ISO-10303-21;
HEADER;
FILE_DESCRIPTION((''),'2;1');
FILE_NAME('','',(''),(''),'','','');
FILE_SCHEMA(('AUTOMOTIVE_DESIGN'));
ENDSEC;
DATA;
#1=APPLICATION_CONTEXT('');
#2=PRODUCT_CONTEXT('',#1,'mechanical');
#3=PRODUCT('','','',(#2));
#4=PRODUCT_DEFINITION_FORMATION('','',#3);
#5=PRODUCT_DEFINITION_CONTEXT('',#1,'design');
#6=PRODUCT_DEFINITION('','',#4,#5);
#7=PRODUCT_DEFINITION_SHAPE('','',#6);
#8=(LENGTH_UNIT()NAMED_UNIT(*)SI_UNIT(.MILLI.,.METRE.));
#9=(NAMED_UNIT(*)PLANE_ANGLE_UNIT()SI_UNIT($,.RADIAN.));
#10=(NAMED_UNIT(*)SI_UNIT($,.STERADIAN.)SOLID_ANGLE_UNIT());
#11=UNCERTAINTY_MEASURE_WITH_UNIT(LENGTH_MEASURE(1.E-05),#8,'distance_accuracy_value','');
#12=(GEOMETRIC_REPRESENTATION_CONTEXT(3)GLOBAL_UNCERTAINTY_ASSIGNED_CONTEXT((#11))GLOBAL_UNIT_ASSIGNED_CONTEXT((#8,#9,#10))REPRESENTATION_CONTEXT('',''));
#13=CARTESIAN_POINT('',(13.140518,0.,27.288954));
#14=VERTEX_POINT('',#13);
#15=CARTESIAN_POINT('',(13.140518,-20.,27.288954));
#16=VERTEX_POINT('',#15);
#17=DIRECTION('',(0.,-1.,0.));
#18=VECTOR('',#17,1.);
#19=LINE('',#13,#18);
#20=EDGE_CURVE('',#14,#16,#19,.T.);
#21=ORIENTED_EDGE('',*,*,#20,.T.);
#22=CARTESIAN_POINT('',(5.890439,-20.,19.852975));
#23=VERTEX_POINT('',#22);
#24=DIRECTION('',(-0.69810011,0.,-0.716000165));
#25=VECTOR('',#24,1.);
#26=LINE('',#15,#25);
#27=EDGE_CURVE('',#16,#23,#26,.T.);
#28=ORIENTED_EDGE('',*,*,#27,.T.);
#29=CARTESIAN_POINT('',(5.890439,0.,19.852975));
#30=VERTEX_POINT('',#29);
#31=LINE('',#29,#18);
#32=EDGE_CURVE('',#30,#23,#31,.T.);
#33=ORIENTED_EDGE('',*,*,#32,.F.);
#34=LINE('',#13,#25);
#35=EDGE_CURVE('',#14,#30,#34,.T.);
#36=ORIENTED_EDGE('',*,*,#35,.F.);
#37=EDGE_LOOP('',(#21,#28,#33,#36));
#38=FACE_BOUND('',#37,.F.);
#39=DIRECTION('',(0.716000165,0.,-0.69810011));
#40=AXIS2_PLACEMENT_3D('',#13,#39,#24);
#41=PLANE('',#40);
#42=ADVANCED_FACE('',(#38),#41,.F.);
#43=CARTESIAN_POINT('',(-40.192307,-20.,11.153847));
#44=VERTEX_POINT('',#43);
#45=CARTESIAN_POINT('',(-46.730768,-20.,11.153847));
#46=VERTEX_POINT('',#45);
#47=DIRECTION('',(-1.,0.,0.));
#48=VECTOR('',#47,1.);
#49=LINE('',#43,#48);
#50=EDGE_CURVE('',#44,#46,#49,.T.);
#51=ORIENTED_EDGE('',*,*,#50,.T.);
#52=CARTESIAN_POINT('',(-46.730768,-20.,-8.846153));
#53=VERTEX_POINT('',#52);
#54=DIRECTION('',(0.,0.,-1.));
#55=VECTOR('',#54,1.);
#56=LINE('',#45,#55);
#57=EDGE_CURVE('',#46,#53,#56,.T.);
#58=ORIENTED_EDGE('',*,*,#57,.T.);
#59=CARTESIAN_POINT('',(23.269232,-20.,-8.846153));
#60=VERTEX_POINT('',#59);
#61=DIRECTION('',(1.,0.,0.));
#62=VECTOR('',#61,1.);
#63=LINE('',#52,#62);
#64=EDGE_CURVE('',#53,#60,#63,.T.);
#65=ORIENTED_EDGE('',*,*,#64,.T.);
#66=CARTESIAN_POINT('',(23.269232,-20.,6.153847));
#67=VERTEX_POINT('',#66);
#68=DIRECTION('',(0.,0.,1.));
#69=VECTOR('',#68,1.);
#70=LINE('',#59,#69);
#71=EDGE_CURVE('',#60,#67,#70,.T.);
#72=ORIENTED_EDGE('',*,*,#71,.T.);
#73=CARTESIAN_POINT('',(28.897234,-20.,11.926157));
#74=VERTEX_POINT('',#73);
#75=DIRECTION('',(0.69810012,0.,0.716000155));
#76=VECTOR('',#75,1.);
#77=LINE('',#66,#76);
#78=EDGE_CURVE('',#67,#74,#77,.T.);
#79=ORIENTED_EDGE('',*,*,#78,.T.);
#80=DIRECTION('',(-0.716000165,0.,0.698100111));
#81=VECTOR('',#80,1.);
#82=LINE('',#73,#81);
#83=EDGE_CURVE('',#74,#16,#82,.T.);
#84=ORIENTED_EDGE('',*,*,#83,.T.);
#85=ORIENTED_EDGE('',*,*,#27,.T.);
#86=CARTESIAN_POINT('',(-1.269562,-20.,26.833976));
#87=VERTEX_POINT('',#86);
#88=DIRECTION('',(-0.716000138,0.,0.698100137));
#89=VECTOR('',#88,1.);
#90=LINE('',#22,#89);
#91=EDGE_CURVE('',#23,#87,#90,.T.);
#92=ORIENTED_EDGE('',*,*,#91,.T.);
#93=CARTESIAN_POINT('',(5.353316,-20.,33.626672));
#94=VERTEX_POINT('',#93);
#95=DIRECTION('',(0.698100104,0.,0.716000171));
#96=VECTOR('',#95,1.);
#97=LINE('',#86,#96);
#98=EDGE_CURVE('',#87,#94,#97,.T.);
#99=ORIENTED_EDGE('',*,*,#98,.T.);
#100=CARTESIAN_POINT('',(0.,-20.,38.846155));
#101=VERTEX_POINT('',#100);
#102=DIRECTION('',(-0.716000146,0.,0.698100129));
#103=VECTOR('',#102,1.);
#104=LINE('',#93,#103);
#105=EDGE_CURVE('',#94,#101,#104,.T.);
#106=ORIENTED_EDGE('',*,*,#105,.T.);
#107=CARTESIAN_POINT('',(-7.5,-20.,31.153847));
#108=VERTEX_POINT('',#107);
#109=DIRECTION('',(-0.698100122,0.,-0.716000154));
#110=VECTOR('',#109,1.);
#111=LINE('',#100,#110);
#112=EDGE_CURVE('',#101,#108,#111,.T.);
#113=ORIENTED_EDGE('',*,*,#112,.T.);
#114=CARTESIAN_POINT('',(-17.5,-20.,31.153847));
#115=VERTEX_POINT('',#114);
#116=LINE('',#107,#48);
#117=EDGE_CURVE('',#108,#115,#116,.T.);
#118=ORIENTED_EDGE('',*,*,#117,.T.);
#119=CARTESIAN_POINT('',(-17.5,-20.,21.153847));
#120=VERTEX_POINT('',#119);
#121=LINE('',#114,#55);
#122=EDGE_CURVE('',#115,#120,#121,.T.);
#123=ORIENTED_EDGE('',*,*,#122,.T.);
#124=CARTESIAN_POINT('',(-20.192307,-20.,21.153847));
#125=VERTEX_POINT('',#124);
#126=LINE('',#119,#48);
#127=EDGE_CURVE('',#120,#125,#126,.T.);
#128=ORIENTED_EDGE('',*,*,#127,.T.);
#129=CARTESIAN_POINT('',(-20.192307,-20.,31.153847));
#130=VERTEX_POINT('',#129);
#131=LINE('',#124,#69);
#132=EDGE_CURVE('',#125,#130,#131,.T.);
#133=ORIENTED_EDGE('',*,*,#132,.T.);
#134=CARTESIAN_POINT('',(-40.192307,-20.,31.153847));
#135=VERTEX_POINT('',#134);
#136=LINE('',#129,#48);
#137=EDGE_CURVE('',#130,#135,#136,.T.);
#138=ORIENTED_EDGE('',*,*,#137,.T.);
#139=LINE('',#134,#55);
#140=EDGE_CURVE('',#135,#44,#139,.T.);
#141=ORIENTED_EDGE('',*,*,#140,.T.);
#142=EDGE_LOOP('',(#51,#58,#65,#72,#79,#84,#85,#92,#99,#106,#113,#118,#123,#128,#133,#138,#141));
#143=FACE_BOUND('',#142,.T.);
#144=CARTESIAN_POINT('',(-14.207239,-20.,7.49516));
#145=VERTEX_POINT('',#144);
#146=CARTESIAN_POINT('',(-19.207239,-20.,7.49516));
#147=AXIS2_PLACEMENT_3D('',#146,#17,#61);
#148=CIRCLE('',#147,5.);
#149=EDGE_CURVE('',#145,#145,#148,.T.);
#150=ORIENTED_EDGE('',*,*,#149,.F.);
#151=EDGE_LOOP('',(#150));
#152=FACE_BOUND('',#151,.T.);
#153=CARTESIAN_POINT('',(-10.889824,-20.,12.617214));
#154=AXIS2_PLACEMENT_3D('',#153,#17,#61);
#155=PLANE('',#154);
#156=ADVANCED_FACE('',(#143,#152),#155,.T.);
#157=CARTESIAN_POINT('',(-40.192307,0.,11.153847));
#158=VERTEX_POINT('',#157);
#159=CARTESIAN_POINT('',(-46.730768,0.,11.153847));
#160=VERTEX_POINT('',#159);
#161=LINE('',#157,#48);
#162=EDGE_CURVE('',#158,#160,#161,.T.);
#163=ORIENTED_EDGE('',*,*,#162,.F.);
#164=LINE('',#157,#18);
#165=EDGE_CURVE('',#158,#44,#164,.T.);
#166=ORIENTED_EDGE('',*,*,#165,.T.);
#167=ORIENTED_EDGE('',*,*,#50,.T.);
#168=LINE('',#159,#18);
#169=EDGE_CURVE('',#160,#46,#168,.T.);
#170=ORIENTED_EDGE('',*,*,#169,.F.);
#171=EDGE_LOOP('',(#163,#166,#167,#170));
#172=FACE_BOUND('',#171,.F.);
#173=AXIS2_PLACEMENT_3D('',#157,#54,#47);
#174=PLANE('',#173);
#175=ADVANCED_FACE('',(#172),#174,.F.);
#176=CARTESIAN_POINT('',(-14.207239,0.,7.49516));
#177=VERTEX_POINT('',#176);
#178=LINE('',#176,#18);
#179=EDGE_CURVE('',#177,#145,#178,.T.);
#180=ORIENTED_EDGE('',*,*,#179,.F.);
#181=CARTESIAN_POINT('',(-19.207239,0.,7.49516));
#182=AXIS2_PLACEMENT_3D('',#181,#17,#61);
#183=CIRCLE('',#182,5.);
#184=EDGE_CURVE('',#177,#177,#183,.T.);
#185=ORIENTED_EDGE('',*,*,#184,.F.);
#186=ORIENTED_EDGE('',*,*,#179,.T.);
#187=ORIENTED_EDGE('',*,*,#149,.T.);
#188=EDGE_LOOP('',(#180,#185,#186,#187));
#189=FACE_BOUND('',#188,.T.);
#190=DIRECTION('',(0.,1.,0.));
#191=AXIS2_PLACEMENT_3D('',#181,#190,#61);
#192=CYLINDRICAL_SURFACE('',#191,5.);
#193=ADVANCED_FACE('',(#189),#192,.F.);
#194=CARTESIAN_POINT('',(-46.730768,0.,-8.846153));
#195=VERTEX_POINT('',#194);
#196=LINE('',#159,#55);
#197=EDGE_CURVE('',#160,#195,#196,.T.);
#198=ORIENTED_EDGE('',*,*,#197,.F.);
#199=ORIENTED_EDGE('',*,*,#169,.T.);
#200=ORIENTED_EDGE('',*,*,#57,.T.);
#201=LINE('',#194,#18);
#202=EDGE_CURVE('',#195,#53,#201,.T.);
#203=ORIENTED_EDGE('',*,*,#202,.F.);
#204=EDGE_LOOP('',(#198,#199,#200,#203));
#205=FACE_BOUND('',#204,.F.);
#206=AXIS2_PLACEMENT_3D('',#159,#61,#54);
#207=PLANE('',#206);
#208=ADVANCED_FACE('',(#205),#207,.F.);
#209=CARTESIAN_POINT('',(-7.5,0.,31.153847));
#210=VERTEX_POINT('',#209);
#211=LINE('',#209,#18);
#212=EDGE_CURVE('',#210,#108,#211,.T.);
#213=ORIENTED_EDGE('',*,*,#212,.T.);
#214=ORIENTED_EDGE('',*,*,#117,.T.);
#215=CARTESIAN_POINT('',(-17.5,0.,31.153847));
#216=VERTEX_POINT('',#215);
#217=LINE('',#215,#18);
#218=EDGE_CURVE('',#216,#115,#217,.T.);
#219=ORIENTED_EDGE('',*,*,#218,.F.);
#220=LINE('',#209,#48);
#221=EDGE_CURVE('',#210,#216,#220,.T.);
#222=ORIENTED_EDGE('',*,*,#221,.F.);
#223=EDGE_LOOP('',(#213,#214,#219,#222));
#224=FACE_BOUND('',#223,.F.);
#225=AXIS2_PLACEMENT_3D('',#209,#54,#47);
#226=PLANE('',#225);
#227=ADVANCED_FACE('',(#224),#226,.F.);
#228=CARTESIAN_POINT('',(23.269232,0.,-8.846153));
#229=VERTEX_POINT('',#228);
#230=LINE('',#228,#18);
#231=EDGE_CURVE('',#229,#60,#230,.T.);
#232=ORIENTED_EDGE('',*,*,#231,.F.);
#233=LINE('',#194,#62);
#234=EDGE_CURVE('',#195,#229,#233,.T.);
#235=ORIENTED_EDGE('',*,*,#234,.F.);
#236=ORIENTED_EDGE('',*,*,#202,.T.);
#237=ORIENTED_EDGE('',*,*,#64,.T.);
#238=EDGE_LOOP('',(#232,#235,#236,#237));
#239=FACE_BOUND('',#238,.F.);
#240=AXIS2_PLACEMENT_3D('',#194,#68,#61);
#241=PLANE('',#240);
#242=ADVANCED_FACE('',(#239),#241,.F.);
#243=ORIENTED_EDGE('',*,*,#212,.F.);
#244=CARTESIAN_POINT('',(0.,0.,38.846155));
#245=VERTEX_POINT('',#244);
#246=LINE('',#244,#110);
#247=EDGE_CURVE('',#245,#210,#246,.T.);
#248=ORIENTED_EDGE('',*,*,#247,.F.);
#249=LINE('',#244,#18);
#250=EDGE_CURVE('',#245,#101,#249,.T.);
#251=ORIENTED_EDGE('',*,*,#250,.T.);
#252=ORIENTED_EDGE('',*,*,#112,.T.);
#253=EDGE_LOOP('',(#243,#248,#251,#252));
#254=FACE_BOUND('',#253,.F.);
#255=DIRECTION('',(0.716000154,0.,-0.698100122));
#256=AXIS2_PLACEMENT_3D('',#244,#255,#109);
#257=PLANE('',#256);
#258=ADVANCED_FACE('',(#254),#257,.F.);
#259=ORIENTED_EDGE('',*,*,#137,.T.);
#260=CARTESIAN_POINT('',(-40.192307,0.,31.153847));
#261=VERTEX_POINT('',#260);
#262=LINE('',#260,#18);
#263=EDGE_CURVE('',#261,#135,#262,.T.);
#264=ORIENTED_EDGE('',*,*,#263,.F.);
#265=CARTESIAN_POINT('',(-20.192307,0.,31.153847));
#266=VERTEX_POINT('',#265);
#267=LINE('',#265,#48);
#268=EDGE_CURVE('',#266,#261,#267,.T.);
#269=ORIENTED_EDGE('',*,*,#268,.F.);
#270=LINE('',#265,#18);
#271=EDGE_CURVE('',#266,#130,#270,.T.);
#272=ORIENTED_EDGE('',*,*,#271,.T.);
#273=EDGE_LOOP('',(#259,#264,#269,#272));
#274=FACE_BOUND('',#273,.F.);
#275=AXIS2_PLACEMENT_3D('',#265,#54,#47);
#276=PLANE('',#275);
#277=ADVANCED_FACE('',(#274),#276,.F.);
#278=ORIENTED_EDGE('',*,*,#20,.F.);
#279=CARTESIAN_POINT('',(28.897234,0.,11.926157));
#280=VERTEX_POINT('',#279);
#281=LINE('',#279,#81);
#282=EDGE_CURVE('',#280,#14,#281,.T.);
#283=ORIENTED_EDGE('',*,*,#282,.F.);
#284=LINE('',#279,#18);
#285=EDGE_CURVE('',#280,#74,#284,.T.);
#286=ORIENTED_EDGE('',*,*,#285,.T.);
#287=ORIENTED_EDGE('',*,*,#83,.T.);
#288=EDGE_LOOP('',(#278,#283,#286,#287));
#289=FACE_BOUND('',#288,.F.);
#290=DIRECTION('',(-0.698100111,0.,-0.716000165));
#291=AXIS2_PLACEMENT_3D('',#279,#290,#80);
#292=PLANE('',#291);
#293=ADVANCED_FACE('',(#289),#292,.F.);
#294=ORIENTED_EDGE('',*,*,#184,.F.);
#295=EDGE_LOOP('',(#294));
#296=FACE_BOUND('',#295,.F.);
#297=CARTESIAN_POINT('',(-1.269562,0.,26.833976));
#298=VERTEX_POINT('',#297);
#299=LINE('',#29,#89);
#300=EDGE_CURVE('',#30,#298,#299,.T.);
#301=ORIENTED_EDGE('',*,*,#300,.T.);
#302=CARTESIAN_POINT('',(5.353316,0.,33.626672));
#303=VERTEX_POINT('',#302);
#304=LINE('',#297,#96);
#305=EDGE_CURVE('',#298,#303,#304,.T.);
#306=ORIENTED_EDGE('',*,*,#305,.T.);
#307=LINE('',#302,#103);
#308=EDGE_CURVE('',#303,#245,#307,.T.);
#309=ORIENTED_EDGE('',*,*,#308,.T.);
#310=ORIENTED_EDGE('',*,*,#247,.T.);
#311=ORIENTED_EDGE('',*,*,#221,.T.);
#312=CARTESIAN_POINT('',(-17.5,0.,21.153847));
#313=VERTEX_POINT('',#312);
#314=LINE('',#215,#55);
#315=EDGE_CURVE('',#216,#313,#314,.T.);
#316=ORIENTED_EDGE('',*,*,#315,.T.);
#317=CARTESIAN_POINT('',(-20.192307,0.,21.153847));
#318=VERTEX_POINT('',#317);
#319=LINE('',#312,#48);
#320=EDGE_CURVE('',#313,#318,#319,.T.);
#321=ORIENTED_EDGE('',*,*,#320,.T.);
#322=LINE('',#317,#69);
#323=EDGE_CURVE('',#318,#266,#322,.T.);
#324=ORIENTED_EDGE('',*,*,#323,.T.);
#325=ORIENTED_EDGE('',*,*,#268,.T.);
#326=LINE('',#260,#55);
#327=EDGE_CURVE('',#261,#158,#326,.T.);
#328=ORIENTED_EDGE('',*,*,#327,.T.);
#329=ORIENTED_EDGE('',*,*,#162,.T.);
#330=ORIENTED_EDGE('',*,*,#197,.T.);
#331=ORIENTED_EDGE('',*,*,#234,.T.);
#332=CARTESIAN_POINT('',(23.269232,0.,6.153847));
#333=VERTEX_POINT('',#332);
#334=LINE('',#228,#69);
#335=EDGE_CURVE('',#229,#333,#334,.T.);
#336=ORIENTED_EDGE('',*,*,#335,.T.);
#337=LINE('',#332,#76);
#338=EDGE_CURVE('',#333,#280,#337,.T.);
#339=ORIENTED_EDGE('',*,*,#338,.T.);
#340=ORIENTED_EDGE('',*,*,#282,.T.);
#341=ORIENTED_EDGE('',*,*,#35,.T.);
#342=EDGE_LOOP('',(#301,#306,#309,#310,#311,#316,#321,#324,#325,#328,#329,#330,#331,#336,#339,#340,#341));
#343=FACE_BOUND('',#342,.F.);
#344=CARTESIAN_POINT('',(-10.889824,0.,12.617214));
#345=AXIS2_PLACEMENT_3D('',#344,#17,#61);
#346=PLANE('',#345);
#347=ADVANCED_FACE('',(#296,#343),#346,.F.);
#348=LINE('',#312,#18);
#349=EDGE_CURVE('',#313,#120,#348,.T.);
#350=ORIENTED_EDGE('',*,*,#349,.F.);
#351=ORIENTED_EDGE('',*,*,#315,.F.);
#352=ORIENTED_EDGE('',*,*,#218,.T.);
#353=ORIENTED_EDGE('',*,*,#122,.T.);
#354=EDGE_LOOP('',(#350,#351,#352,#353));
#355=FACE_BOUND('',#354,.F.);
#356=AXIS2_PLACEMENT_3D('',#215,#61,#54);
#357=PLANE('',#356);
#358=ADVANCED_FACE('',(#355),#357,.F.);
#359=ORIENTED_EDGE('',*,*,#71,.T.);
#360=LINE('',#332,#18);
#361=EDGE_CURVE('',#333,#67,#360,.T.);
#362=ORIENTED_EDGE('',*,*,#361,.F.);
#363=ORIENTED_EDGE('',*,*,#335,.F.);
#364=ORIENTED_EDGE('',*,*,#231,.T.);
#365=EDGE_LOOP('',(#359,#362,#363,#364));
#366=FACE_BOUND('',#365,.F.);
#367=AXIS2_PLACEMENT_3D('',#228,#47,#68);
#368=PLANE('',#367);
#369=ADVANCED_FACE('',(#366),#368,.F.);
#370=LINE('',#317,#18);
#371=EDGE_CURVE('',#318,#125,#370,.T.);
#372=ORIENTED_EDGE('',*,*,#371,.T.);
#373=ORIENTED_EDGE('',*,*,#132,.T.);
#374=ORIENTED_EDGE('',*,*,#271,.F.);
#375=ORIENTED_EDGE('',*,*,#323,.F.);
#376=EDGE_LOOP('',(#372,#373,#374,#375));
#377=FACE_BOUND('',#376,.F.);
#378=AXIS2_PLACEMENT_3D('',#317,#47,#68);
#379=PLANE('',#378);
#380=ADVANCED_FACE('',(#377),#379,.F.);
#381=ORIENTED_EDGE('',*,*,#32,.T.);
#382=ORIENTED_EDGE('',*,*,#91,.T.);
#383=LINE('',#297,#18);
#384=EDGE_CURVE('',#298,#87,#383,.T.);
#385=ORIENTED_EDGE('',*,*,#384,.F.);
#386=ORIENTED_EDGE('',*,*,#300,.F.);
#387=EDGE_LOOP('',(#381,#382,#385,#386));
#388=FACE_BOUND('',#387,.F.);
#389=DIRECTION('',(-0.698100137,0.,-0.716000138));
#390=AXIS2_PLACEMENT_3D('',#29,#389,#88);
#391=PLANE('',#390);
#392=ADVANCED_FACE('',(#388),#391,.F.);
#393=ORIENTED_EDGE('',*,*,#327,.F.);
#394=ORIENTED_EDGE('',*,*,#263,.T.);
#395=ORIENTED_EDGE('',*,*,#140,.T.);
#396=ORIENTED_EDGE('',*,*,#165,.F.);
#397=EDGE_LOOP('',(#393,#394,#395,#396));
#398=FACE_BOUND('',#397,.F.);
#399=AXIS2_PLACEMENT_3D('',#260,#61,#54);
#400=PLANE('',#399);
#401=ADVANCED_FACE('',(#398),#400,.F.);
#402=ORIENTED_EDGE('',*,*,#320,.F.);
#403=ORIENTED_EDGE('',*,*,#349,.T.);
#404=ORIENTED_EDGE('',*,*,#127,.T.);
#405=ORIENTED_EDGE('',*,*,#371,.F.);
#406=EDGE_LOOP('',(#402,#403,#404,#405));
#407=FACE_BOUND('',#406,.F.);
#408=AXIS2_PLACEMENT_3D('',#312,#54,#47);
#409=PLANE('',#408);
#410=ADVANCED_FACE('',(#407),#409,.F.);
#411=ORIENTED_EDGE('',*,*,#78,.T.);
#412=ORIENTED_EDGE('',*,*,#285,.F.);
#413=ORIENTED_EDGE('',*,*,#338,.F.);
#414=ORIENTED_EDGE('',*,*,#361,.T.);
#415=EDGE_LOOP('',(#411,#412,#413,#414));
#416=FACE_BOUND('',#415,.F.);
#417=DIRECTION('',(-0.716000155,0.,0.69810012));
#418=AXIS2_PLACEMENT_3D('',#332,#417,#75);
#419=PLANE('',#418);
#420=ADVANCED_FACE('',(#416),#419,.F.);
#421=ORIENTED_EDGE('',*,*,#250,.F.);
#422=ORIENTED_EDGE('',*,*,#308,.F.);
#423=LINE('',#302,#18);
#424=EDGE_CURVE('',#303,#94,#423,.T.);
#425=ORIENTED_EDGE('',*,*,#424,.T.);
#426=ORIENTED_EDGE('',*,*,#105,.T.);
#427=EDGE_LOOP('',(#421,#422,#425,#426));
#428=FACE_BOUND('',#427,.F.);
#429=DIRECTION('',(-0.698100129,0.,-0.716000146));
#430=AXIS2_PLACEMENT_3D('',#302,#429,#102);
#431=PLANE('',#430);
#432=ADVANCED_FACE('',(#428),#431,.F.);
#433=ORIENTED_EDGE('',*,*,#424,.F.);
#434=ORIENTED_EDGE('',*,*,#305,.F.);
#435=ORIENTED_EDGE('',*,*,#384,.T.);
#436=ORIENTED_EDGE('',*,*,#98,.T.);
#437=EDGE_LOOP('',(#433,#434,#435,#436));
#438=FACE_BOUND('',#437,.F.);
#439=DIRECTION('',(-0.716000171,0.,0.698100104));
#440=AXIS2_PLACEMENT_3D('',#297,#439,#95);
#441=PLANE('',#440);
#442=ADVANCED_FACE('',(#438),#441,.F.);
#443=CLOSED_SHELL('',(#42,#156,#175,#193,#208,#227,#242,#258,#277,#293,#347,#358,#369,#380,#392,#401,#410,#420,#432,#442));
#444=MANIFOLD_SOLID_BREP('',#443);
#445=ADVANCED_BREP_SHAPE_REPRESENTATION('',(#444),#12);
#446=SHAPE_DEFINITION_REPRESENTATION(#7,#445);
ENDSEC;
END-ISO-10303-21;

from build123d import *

# Parameters (mm, degrees)
F0_R     = 5
F1_DEPTH = 20


with BuildPart() as f1:
    # F0 (on Front) → F1 (new body)
    with BuildSketch(Plane.XZ):
        Polygon((-20.192307, 31.153847), (-40.192307, 31.153847), (-40.192307, 11.153847), (-46.730768, 11.153847), (-46.730768, -8.846153), (23.269232, -8.846153), (23.269232, 6.153847), (28.897234, 11.926157), (13.140518, 27.288954), (5.890439, 19.852975), (-1.269562, 26.833976), (5.353316, 33.626672), (0, 38.846155), (-7.5, 31.153847), (-17.5, 31.153847), (-17.5, 21.153847), (-20.192307, 21.153847), align=None)
        with Locations((-19.207239, 7.49516)):
            Circle(F0_R, mode=Mode.SUBTRACT)
    extrude(amount=F1_DEPTH)


solid = f1.part
